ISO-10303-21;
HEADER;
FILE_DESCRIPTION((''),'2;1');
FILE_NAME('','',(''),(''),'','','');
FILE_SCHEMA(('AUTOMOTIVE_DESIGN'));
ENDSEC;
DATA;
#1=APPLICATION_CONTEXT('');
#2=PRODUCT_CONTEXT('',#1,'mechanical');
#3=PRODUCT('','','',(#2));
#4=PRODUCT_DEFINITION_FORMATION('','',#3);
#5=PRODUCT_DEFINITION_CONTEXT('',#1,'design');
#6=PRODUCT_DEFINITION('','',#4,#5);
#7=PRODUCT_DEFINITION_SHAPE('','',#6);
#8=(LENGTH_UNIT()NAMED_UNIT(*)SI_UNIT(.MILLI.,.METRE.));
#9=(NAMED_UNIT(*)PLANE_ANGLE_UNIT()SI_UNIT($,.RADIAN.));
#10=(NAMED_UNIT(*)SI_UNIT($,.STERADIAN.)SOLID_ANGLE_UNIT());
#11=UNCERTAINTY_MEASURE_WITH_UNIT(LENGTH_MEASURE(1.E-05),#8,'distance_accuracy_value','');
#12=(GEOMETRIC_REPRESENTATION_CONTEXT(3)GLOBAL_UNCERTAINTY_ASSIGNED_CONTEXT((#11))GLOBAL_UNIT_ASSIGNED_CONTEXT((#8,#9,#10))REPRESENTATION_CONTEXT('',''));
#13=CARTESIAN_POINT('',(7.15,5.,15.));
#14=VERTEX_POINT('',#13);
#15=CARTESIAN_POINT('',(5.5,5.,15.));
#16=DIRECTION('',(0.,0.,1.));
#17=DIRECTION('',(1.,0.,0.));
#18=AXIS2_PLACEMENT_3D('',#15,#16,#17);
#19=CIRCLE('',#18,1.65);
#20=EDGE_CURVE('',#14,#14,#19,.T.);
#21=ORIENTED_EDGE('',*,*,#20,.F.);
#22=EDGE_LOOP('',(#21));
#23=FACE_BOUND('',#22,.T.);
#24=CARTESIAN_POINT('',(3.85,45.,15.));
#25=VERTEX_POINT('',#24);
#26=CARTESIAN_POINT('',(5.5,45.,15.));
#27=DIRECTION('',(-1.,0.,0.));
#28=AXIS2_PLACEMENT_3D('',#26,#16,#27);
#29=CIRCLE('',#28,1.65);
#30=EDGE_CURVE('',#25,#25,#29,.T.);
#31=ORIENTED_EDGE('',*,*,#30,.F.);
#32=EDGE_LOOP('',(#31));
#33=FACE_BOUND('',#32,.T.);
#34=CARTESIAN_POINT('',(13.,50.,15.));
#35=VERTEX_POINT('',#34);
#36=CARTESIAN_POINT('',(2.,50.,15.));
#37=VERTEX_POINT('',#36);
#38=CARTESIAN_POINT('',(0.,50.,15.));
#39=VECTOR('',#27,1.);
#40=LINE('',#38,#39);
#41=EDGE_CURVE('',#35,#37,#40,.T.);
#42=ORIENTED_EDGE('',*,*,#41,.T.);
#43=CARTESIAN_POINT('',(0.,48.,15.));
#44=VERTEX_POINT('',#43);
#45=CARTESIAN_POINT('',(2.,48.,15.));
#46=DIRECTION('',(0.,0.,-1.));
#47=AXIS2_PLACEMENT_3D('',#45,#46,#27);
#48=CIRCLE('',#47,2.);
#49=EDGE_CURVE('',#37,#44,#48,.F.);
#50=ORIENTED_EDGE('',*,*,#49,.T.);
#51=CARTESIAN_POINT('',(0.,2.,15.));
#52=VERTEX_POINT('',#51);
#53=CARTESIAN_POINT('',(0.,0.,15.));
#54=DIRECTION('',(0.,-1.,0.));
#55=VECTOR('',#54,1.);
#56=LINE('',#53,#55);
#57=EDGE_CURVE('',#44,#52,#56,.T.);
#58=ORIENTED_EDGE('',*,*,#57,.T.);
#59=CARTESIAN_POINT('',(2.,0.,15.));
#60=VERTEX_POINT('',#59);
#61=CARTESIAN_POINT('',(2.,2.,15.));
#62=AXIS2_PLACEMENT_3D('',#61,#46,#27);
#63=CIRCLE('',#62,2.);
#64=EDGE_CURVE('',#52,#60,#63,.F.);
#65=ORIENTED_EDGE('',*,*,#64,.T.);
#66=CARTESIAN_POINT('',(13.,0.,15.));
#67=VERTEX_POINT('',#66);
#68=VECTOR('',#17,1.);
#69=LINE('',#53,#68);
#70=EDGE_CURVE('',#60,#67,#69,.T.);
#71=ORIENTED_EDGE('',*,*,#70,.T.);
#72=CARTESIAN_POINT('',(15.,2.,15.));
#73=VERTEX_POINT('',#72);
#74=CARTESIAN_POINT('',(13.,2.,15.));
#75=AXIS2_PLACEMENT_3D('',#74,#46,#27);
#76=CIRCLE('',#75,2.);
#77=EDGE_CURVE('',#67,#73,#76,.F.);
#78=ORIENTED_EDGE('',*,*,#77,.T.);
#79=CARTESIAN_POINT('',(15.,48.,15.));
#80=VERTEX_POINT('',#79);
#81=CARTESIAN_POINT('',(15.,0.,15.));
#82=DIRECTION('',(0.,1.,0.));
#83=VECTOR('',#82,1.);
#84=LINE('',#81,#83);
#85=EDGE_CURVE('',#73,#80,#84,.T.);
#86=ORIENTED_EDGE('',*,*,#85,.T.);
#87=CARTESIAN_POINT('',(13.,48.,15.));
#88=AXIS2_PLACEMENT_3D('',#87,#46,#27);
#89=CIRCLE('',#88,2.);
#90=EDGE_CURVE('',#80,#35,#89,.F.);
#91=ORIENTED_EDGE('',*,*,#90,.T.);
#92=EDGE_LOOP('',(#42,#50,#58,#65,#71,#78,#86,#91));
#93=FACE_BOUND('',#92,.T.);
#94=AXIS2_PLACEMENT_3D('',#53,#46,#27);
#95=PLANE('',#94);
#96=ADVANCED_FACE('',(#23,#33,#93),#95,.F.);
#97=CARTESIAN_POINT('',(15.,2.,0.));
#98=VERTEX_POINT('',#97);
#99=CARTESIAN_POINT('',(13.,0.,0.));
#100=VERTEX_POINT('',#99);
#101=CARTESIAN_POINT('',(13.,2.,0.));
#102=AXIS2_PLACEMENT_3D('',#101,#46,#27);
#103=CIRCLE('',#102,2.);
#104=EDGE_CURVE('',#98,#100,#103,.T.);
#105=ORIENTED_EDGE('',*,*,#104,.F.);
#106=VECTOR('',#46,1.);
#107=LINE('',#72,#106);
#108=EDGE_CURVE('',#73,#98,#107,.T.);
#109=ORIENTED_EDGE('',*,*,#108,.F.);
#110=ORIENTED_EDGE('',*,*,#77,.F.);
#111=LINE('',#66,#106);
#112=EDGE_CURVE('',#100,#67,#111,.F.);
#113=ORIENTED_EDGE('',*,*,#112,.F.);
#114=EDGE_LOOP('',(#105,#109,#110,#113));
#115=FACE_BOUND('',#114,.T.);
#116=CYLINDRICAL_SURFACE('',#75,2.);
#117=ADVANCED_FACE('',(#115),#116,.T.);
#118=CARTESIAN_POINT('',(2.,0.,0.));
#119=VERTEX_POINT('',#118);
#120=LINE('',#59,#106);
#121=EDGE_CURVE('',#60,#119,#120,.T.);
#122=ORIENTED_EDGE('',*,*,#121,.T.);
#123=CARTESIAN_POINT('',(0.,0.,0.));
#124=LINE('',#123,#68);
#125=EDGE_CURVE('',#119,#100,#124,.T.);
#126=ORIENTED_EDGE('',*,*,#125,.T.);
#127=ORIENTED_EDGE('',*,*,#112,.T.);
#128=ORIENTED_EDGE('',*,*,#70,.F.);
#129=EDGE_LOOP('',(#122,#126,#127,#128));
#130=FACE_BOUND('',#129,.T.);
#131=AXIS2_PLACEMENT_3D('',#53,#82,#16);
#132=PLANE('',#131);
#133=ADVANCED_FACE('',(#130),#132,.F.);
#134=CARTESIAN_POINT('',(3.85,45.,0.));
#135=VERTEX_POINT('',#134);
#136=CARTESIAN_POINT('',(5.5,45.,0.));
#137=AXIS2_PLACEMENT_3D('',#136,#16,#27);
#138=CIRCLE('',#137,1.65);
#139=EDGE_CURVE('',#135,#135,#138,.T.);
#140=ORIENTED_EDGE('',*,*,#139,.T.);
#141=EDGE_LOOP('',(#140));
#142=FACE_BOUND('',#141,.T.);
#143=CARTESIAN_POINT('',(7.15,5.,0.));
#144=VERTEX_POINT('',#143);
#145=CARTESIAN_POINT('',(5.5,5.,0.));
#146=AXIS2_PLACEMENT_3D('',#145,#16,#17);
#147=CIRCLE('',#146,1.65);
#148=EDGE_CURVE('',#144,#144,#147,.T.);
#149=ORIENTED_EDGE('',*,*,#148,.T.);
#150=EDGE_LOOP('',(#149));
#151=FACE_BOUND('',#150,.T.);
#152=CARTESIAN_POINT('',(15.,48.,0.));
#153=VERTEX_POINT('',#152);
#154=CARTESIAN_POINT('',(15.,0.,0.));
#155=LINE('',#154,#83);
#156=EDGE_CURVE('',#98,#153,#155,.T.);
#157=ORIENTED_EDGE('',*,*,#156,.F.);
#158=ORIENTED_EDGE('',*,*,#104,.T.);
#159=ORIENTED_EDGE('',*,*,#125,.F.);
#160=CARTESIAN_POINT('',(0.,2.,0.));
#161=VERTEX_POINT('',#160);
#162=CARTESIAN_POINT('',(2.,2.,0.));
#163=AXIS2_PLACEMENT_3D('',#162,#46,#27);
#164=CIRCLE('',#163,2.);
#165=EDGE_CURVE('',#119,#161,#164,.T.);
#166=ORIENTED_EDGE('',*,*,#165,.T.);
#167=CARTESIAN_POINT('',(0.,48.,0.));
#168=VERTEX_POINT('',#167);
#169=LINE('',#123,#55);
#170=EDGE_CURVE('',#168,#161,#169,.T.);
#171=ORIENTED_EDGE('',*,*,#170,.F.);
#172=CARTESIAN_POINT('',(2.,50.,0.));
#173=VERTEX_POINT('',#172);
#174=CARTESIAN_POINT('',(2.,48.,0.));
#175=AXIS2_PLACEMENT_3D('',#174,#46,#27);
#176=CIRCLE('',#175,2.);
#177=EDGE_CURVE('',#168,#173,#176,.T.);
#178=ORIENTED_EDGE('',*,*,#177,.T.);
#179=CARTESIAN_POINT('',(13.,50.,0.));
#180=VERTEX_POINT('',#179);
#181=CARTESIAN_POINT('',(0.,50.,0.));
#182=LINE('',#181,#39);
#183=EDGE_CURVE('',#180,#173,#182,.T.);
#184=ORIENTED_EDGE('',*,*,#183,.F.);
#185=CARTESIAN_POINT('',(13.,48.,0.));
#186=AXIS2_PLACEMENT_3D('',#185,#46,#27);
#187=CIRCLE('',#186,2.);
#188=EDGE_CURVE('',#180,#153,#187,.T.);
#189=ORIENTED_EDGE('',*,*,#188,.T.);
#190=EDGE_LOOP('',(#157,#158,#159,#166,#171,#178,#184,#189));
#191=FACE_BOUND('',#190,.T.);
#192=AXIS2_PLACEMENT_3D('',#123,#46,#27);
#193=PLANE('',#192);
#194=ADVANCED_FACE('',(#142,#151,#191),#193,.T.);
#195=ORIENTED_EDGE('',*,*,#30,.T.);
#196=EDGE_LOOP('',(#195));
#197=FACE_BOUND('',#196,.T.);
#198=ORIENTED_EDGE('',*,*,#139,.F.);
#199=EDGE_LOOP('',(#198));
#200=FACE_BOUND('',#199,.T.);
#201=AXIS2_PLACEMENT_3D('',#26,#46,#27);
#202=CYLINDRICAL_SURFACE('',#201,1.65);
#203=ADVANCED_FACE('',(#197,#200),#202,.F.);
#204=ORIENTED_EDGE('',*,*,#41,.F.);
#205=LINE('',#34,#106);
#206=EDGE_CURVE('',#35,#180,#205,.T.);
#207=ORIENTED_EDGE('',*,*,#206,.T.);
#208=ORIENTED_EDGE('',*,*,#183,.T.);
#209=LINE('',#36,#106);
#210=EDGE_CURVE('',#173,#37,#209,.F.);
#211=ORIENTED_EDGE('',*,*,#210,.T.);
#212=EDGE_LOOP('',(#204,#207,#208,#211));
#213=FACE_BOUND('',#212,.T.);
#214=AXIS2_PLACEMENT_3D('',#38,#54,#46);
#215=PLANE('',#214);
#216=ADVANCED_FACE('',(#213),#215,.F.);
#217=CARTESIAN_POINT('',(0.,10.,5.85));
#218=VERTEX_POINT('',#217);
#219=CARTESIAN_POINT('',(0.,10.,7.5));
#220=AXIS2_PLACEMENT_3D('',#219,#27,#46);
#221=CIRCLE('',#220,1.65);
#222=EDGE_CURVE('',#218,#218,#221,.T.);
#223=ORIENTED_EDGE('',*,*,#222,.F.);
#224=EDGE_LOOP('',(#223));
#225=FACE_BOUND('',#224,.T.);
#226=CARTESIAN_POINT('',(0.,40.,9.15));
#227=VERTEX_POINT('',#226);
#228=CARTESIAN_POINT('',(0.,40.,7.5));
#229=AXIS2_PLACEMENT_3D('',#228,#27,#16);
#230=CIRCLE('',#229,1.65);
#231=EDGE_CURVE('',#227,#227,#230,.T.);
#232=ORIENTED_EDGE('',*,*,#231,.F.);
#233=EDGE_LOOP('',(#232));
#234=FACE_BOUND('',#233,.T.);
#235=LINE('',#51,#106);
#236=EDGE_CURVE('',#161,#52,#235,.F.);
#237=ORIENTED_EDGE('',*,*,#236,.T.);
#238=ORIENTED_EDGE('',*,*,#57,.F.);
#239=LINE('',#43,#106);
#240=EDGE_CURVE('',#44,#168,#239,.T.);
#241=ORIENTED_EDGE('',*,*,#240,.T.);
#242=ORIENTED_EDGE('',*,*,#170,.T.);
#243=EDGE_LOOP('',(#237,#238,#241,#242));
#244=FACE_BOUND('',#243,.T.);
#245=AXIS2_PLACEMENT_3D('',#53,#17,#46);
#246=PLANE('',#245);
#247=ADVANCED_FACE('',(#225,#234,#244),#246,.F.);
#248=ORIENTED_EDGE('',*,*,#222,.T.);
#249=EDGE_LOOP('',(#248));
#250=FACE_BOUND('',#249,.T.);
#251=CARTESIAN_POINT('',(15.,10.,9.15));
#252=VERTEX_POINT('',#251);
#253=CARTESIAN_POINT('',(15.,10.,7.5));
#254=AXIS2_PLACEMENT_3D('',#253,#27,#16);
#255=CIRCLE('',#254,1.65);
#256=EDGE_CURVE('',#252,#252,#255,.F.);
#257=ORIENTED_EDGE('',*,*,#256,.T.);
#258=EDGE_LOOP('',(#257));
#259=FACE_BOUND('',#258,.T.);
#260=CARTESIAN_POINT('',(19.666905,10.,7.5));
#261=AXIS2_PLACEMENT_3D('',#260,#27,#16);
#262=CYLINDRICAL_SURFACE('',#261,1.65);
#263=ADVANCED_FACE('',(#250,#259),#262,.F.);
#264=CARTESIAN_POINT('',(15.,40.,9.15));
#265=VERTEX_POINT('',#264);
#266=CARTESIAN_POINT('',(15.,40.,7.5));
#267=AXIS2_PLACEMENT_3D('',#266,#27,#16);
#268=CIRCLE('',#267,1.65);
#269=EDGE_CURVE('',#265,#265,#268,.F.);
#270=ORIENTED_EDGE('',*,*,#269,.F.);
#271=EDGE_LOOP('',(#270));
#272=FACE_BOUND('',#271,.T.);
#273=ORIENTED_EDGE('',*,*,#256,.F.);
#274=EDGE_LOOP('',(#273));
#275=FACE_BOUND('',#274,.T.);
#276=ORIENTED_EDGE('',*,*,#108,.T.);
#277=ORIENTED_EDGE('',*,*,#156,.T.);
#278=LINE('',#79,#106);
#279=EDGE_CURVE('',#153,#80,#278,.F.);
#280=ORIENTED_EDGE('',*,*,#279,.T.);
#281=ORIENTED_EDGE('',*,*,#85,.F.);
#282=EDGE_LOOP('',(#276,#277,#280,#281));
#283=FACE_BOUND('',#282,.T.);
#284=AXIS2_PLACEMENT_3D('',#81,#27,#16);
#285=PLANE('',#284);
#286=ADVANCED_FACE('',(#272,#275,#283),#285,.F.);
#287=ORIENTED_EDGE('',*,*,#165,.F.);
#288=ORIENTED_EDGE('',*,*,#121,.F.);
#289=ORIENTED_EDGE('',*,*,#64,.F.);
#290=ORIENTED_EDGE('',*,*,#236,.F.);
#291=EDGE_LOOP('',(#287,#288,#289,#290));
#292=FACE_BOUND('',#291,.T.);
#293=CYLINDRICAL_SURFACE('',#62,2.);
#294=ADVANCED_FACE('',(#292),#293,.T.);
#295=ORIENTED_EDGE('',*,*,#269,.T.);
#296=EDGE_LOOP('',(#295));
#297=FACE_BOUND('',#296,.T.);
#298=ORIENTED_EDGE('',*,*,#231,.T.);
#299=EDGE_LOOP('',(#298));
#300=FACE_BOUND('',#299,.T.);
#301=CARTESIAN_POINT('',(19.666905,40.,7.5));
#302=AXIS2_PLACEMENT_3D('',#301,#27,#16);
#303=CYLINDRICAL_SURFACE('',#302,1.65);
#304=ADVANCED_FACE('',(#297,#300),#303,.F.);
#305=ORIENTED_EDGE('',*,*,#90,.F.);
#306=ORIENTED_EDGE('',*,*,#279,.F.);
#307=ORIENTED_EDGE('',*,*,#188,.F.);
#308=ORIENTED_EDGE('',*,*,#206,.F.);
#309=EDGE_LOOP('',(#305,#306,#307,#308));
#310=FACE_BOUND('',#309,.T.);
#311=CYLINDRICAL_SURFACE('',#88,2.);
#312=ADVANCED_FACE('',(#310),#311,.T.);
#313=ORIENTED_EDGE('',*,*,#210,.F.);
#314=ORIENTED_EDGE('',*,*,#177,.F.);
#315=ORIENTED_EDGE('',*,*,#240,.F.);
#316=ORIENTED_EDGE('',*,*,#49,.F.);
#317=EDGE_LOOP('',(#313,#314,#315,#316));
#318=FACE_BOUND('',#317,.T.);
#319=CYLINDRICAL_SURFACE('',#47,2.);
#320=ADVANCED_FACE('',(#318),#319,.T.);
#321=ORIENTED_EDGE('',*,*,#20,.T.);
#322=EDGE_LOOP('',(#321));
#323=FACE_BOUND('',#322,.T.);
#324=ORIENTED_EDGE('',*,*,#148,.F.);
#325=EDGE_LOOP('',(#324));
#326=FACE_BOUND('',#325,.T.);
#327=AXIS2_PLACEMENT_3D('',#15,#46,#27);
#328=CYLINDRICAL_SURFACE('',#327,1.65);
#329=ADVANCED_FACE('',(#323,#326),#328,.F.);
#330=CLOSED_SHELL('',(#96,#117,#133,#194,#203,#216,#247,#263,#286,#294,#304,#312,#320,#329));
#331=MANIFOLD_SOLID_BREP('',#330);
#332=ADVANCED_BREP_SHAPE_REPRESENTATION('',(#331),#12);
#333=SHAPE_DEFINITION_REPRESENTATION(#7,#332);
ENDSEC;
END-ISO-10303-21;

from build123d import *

# Parameters (mm, degrees)
SKETCH_1_W          = 15
SKETCH_1_H          = 50
SKETCH_1_R          = 1.65
EXTRUDE_1_DEPTH     = 15
SKETCH_2_R          = 1.65
CUT_EXTRUDE_1_DEPTH = 15
FILLET_1_R          = 2


with BuildPart() as part:
    # ｽｹｯﾁ1 → ﾎﾞｽ - 押し出し1 (new body)
    with BuildSketch(Plane.XY):
        with Locations((7.5, 25)):
            Rectangle(SKETCH_1_W, SKETCH_1_H)
        with Locations((5.5, 5)):
            Circle(SKETCH_1_R, mode=Mode.SUBTRACT)
        with Locations(Location((5.5, 45, 0), (0, 0, 180))):
            Circle(SKETCH_1_R, mode=Mode.SUBTRACT)
    extrude(amount=EXTRUDE_1_DEPTH)

    # ｽｹｯﾁ2 → ｶｯﾄ - 押し出し1 (cut)
    with BuildSketch(Plane.ZY):
        with Locations((7.5, 40)):
            Circle(SKETCH_2_R)
        with Locations((7.5, 10)):
            Circle(SKETCH_2_R)
    extrude(amount=-CUT_EXTRUDE_1_DEPTH, mode=Mode.SUBTRACT)

    # ﾌｨﾚｯﾄ1
    fillet_1_edges = [part.edges().sort_by_distance(p)[0] for p in [
        (0, 50, 7.5),
        (15, 50, 7.5),
        (15, 0, 7.5),
        (0, 0, 7.5),
    ]]
    fillet(fillet_1_edges, radius=FILLET_1_R)


solid = part.part
